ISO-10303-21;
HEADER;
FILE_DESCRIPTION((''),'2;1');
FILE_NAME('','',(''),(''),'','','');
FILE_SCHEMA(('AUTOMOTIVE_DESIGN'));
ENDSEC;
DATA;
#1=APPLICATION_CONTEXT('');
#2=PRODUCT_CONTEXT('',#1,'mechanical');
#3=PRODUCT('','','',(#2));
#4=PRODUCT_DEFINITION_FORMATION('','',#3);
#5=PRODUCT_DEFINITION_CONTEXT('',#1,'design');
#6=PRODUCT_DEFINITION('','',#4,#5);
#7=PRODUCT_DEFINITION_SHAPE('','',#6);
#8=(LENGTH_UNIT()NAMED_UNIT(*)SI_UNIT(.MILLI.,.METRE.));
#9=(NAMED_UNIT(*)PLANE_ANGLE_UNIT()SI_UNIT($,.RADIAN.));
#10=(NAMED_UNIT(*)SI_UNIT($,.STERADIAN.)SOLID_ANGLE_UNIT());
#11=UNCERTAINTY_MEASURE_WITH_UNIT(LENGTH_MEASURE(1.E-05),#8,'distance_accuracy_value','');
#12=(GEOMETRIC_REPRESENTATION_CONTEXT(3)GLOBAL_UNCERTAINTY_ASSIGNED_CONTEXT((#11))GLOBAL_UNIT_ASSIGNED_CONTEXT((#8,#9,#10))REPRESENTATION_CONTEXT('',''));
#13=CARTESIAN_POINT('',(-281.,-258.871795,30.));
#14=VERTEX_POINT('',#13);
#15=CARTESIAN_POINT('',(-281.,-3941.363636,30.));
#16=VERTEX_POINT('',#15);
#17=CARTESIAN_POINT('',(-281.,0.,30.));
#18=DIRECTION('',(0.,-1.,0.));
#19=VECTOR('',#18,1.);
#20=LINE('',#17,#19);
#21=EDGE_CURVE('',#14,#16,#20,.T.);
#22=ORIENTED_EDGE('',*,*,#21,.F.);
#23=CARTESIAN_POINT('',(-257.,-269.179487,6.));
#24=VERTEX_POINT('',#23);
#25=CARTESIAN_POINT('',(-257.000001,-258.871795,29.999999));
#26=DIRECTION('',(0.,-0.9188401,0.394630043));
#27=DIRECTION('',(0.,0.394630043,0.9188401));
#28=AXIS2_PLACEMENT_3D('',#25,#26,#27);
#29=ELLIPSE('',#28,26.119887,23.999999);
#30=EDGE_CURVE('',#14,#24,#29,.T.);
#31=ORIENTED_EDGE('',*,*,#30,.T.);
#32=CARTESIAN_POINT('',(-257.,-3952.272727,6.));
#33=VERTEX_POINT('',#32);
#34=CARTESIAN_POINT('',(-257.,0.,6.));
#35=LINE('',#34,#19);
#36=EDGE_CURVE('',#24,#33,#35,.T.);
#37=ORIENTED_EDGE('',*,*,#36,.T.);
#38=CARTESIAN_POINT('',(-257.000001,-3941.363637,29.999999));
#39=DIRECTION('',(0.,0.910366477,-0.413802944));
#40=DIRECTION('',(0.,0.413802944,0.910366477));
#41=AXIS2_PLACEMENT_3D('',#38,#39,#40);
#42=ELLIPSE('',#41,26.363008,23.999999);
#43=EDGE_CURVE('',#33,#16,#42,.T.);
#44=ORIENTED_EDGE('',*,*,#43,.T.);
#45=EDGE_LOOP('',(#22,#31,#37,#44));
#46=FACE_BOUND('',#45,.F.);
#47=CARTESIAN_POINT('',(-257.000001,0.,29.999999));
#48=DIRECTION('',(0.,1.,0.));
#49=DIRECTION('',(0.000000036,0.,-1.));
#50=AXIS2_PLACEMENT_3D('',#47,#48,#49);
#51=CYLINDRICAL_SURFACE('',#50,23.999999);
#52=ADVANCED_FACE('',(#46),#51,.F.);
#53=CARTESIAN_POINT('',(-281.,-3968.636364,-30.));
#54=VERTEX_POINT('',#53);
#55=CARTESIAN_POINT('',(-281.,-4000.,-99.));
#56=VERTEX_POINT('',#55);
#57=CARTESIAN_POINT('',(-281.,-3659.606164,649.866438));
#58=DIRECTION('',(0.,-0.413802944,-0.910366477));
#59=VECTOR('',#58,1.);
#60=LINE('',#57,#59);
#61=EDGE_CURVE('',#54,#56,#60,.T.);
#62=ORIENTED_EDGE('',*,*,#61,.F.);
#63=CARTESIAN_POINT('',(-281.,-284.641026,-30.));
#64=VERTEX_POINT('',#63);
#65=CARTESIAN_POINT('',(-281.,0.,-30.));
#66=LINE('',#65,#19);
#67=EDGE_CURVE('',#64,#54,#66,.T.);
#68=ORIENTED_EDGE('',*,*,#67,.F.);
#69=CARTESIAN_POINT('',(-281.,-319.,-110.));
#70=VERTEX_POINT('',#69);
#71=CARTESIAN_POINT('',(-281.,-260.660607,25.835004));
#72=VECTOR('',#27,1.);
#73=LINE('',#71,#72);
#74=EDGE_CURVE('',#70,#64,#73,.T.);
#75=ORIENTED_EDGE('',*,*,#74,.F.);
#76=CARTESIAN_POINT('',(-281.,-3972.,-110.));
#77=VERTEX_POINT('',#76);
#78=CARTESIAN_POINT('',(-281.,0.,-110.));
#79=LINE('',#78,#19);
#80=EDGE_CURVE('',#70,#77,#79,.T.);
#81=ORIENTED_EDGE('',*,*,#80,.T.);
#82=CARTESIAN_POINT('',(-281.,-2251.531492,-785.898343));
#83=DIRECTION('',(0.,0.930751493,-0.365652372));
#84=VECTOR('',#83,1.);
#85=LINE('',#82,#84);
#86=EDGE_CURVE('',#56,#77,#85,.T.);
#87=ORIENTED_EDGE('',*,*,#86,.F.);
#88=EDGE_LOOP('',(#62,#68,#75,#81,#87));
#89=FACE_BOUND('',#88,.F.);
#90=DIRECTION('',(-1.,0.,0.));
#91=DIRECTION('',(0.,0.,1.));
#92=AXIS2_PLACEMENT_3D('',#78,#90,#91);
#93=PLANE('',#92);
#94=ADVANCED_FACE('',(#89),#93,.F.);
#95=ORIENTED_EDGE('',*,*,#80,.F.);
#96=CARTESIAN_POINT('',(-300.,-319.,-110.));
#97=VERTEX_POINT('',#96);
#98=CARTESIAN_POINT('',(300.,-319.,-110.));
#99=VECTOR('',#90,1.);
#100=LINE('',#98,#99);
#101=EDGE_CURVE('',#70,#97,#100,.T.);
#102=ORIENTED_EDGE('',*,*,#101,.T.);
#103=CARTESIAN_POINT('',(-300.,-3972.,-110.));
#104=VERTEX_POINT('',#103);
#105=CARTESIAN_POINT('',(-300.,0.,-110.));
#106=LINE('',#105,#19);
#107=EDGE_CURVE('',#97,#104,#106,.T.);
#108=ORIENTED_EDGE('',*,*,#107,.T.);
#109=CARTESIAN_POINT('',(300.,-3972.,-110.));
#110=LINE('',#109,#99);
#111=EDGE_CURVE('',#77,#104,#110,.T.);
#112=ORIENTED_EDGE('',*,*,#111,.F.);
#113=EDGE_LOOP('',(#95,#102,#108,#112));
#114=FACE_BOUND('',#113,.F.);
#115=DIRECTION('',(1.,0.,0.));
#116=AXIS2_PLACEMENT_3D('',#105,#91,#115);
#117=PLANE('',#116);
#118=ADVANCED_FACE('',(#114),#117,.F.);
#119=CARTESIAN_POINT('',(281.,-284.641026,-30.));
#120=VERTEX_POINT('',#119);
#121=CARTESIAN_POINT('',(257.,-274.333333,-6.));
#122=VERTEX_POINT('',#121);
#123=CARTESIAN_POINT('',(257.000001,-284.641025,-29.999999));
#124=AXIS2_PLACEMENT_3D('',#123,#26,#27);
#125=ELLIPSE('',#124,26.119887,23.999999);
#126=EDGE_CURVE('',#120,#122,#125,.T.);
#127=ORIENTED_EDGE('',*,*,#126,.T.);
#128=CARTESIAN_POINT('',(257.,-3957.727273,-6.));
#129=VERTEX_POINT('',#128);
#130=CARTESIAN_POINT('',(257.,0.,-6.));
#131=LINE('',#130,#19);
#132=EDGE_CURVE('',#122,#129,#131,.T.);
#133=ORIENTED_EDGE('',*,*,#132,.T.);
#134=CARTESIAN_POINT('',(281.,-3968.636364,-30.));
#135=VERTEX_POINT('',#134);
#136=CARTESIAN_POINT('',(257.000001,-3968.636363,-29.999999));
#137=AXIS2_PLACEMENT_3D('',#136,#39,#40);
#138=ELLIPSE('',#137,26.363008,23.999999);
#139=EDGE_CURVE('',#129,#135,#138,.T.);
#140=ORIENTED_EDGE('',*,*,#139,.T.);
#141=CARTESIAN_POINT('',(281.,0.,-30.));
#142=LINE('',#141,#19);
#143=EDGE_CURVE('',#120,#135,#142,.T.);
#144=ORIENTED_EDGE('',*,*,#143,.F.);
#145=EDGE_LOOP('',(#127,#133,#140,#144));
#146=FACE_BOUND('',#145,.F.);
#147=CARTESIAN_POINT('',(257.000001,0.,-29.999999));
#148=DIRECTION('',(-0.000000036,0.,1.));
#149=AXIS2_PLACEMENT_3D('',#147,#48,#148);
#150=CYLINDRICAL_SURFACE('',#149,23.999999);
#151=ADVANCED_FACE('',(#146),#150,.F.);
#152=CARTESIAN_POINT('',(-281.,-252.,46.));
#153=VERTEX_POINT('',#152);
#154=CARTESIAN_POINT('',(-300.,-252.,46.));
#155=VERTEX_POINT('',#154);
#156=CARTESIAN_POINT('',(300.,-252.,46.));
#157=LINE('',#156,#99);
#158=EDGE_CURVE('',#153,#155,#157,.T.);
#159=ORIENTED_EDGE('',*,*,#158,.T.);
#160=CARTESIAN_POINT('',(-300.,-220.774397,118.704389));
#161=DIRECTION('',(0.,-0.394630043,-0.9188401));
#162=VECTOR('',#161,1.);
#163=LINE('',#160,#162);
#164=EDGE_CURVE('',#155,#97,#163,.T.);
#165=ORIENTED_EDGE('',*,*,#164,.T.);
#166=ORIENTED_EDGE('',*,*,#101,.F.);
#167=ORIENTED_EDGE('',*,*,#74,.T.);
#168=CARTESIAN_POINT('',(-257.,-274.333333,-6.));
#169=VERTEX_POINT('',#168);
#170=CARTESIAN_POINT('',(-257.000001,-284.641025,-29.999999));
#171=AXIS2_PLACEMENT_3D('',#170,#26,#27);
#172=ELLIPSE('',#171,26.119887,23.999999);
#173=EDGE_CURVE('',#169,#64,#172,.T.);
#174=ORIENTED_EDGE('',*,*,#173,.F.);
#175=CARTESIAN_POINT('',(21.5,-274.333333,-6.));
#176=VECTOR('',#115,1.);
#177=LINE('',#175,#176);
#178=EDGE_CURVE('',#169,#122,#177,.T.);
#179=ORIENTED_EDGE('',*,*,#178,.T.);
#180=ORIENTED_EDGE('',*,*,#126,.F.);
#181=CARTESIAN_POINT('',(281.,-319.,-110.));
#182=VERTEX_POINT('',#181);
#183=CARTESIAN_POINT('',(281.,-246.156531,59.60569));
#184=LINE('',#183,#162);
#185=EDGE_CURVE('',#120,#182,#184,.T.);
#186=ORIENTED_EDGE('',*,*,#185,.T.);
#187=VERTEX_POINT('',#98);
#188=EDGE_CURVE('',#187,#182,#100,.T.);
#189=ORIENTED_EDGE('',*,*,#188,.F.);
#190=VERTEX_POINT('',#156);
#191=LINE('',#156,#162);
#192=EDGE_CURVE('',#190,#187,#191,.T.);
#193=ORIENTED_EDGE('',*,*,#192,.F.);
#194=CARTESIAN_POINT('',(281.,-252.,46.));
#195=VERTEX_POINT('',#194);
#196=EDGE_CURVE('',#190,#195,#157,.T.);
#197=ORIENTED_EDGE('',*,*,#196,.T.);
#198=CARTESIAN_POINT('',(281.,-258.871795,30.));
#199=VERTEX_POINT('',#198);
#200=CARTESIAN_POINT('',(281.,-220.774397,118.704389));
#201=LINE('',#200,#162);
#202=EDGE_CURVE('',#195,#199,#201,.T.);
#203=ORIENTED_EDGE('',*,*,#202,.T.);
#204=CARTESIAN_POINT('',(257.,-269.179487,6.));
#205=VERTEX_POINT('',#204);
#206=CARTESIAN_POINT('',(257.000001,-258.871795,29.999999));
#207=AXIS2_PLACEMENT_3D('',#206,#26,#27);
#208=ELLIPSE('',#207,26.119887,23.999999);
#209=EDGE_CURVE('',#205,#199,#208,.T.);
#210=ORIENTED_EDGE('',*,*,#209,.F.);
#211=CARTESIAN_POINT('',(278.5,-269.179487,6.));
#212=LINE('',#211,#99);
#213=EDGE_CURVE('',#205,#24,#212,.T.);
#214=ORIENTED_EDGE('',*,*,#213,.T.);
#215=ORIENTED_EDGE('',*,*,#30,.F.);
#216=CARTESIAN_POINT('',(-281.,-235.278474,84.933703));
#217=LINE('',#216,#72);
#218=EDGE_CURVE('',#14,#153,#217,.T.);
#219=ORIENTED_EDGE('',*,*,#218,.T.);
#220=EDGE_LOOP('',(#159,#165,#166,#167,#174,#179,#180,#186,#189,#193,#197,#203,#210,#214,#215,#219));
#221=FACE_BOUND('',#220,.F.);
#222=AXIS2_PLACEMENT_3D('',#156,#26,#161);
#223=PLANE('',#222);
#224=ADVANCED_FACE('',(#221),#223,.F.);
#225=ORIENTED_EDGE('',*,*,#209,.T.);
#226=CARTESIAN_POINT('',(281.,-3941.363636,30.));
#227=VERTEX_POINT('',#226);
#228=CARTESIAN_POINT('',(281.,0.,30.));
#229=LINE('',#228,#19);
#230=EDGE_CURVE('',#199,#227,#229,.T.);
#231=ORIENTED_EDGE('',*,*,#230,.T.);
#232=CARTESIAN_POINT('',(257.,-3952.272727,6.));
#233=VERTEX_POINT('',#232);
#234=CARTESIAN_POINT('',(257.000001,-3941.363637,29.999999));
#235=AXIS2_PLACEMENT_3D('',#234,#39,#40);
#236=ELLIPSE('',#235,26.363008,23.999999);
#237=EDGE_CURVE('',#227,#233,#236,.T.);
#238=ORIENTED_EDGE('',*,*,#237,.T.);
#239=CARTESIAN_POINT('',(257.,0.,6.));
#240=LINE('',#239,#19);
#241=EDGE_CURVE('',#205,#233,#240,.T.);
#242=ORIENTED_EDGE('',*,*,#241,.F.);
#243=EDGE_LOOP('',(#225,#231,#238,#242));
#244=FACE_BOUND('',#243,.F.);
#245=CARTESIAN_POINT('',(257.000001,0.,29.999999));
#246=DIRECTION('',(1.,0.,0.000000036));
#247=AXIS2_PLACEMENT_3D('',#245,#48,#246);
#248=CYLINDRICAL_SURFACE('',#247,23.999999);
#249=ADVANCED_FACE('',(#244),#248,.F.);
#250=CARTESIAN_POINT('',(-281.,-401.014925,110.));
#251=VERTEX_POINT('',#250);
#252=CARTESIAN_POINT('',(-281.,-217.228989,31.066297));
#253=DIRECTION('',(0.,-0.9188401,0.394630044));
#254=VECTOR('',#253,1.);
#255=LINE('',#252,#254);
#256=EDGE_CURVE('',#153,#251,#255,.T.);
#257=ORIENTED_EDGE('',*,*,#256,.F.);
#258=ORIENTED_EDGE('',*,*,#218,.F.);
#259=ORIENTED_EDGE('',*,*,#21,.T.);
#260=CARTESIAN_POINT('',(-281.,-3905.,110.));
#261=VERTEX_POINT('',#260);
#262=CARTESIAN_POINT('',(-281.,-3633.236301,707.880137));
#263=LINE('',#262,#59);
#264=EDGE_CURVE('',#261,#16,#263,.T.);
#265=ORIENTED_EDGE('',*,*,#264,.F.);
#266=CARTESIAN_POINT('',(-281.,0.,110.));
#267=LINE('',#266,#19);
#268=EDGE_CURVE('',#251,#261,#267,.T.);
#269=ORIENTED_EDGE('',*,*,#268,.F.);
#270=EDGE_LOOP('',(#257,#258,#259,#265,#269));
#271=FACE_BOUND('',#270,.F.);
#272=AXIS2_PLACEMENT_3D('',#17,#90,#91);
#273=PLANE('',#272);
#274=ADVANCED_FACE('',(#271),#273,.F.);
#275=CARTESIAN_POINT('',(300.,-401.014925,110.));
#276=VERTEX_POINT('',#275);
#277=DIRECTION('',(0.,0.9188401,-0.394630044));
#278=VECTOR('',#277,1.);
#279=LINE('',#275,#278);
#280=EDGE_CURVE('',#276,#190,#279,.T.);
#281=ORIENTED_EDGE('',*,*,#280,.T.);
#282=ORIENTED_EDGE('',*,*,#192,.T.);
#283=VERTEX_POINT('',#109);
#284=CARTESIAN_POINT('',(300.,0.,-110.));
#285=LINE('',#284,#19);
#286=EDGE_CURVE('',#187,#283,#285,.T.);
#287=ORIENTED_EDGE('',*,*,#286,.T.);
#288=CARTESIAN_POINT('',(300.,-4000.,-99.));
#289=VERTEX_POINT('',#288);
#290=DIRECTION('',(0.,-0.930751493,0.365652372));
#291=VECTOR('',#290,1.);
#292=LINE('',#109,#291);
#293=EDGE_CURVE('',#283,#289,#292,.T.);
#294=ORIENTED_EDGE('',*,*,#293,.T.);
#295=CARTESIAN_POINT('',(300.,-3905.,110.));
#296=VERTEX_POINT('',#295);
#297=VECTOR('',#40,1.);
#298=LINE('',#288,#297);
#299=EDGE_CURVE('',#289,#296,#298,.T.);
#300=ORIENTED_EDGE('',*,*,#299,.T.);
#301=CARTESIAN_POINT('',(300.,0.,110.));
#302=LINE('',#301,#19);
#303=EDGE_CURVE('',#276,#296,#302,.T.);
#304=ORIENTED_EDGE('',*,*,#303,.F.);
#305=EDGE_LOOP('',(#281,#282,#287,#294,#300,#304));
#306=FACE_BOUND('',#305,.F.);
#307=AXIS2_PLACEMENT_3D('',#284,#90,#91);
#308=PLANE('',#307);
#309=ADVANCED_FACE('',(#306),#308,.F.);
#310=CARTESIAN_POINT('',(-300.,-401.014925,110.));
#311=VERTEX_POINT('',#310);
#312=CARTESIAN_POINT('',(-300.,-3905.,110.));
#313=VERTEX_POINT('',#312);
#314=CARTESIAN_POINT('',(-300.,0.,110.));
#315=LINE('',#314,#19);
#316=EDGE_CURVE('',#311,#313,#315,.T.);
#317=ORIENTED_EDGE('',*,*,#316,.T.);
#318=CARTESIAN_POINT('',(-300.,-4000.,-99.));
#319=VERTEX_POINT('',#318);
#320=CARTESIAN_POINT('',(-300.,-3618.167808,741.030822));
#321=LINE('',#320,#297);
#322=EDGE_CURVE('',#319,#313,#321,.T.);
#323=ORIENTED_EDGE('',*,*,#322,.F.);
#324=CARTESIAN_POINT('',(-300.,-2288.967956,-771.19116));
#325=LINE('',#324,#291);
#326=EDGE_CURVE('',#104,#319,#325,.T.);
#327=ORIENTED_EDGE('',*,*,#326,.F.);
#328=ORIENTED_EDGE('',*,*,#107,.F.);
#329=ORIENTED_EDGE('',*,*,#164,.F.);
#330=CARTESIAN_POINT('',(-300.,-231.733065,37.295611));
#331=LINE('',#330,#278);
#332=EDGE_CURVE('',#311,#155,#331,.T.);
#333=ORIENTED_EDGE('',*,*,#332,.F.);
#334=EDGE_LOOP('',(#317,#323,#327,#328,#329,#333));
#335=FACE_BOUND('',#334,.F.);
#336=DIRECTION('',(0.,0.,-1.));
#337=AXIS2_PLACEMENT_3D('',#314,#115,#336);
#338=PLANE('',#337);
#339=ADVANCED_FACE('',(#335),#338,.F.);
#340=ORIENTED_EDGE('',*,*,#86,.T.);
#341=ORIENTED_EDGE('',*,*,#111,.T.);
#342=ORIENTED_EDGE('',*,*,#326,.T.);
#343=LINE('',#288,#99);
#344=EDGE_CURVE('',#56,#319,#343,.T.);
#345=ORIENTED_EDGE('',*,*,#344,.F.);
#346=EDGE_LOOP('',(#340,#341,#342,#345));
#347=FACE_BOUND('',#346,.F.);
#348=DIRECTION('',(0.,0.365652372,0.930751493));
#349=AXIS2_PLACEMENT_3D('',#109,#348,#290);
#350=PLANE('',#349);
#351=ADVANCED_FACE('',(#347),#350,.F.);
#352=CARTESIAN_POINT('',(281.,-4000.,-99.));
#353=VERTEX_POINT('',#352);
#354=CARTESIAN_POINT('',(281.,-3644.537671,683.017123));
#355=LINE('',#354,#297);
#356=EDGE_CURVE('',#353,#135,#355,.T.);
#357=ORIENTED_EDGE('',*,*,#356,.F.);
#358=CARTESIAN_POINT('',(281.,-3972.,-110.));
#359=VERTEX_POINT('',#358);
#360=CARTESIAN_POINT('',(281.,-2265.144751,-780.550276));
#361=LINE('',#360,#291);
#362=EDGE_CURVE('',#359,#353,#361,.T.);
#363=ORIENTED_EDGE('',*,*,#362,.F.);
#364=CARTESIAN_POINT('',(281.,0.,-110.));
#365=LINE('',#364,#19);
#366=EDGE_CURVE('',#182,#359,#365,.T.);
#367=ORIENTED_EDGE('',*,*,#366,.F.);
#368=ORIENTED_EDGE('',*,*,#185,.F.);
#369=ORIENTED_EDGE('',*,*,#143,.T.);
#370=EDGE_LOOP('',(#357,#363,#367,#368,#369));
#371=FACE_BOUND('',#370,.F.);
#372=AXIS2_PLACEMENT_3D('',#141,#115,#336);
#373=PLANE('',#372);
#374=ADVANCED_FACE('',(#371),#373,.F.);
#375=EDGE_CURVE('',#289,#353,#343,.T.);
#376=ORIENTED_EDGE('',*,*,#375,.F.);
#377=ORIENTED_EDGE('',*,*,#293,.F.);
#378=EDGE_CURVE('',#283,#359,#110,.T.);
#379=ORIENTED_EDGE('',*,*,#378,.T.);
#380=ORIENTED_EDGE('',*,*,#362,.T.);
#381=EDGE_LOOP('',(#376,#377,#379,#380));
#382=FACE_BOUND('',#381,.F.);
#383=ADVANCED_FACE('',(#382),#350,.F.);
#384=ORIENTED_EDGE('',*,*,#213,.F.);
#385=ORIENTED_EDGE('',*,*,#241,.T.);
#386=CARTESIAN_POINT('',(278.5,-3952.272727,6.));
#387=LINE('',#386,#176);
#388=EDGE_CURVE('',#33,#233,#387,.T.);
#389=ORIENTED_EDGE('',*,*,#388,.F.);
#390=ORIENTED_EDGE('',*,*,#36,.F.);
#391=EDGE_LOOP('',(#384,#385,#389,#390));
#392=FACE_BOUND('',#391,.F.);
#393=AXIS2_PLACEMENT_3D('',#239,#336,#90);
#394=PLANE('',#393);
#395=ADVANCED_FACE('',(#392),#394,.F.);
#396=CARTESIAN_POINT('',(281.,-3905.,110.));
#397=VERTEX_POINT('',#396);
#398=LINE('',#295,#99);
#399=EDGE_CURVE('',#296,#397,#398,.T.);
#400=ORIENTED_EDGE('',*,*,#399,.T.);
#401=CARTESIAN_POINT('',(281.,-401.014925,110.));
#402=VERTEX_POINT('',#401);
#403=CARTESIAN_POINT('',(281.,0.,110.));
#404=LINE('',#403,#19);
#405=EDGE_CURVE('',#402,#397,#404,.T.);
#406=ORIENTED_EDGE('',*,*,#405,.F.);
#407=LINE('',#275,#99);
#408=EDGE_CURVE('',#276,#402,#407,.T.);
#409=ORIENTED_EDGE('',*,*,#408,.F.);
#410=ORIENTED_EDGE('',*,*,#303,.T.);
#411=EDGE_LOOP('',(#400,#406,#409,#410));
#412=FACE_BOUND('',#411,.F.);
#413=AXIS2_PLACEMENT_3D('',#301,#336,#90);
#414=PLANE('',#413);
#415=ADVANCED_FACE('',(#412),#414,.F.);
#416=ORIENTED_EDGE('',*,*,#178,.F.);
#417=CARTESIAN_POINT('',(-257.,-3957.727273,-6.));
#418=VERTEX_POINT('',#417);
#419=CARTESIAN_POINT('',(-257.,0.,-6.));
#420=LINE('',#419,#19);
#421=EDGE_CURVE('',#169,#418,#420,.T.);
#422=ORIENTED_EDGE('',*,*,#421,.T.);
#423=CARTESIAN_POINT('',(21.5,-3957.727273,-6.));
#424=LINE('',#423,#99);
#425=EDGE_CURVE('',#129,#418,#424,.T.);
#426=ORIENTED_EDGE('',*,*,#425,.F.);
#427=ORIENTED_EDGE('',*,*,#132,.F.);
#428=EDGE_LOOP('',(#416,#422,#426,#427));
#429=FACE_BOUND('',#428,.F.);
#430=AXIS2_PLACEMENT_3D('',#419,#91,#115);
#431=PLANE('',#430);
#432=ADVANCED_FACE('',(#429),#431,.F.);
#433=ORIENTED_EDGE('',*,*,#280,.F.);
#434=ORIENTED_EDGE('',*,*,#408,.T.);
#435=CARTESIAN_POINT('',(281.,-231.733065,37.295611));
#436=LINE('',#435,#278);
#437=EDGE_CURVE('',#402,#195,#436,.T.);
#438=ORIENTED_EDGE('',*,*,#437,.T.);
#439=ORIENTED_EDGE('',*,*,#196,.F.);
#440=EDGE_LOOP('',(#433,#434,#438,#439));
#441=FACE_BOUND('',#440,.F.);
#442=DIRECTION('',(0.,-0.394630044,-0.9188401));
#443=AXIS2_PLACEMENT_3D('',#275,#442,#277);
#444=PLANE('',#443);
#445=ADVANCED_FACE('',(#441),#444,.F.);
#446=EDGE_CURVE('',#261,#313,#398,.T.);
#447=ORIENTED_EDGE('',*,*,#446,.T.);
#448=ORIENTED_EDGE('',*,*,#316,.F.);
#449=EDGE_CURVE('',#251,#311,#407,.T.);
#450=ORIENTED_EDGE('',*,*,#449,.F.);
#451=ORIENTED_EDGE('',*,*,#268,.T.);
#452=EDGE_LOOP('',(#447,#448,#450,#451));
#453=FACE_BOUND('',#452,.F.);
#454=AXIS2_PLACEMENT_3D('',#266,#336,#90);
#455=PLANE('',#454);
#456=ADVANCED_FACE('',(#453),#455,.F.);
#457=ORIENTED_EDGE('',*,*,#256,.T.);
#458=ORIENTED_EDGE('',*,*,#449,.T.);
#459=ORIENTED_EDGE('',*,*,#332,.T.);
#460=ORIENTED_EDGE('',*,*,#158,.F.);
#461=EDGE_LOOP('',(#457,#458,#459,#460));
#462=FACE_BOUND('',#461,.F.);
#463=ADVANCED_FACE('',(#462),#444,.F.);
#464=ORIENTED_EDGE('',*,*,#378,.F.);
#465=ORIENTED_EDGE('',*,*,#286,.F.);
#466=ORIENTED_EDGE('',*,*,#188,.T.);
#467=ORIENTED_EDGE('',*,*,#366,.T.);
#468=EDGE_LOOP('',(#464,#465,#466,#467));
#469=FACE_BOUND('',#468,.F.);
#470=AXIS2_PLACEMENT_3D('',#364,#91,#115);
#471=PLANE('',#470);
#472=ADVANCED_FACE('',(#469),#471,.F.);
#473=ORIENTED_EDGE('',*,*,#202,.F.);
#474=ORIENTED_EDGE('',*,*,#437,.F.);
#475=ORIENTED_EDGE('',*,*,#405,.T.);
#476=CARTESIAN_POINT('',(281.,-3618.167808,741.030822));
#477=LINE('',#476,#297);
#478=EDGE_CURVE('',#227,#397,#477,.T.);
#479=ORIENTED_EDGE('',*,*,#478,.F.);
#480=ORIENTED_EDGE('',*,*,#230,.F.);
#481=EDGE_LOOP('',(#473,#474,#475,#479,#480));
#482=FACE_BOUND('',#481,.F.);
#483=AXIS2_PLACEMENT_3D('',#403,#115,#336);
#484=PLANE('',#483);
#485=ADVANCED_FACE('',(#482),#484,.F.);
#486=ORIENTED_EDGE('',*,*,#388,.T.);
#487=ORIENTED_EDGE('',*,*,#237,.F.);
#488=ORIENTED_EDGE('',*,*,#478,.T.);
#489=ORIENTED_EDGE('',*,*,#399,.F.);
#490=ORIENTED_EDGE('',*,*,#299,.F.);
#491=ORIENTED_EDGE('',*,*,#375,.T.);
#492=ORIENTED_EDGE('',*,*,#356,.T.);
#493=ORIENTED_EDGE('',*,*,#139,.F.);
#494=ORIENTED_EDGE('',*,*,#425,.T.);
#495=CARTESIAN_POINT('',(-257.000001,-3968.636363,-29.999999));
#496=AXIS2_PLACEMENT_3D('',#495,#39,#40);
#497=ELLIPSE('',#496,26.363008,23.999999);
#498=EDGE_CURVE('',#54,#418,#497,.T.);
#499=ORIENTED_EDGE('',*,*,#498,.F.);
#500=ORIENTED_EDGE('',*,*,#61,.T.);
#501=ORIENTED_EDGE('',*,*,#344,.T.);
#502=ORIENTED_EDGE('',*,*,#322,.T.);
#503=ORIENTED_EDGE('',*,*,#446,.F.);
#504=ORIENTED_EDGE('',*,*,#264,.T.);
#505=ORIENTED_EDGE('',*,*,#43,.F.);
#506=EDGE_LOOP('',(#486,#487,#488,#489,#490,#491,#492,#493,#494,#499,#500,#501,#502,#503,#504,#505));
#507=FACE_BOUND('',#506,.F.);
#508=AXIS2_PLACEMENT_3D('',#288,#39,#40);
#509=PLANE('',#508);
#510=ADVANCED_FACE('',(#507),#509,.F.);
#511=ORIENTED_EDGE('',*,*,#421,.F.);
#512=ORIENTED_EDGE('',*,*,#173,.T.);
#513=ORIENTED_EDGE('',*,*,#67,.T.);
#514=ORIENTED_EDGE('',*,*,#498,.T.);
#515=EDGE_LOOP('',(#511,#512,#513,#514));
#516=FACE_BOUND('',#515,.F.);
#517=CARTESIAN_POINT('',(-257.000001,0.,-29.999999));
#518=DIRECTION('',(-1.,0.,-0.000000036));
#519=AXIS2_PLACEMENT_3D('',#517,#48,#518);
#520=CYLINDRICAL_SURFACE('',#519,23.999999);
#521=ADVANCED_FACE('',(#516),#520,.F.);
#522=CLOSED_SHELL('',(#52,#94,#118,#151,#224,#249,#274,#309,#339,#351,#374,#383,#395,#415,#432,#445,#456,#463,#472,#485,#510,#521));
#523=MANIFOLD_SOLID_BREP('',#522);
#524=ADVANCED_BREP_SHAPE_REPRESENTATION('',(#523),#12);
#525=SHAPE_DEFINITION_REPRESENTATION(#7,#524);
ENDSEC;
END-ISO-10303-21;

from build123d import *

# Parameters (mm, degrees)
F1_DEPTH = 4000
F3_DEPTH = 600.001


with BuildPart() as f1:
    # F0 (on Front) → F1 (new body)
    with BuildSketch(Plane.XZ):
        with BuildLine():
            Line((257, 6), (0, 6))
            Line((0, 6), (-257, 6))
            ThreePointArc((-257, 6), (-273.970563, 13.029437), (-281, 30))
            Line((-281, 30), (-281, 110))
            Line((-281, 110), (-300, 110))
            Line((-300, 110), (-300, 0))
            Line((-300, 0), (-300, -110))
            Line((-300, -110), (-281, -110))
            Line((-281, -110), (-281, -30))
            ThreePointArc((-281, -30), (-273.970563, -13.029437), (-257, -6))
            Line((-257, -6), (0, -6))
            Line((0, -6), (257, -6))
            ThreePointArc((257, -6), (273.970563, -13.029437), (281, -30))
            Line((281, -30), (281, -110))
            Line((281, -110), (300, -110))
            Line((300, -110), (300, 0))
            Line((300, 0), (300, 110))
            Line((300, 110), (281, 110))
            Line((281, 110), (281, 30))
            ThreePointArc((281, 30), (273.970563, 13.029437), (257, 6))
        make_face()
    extrude(amount=F1_DEPTH)

    # F2 (on face) → F3 (cut, through all)
    with BuildSketch(Plane.YZ.offset(300)):
        Polygon((-4000, -110), (-3972, -110), (-4000, -99), align=None)
        Polygon((-4000, 110), (-4000, -99), (-3905, 110), align=None)
        Polygon((-252, 46), (-319, -110), (0, -110), (0, 110), (-401.014925, 110), align=None)
    extrude(amount=-F3_DEPTH, mode=Mode.SUBTRACT)


solid = f1.part
